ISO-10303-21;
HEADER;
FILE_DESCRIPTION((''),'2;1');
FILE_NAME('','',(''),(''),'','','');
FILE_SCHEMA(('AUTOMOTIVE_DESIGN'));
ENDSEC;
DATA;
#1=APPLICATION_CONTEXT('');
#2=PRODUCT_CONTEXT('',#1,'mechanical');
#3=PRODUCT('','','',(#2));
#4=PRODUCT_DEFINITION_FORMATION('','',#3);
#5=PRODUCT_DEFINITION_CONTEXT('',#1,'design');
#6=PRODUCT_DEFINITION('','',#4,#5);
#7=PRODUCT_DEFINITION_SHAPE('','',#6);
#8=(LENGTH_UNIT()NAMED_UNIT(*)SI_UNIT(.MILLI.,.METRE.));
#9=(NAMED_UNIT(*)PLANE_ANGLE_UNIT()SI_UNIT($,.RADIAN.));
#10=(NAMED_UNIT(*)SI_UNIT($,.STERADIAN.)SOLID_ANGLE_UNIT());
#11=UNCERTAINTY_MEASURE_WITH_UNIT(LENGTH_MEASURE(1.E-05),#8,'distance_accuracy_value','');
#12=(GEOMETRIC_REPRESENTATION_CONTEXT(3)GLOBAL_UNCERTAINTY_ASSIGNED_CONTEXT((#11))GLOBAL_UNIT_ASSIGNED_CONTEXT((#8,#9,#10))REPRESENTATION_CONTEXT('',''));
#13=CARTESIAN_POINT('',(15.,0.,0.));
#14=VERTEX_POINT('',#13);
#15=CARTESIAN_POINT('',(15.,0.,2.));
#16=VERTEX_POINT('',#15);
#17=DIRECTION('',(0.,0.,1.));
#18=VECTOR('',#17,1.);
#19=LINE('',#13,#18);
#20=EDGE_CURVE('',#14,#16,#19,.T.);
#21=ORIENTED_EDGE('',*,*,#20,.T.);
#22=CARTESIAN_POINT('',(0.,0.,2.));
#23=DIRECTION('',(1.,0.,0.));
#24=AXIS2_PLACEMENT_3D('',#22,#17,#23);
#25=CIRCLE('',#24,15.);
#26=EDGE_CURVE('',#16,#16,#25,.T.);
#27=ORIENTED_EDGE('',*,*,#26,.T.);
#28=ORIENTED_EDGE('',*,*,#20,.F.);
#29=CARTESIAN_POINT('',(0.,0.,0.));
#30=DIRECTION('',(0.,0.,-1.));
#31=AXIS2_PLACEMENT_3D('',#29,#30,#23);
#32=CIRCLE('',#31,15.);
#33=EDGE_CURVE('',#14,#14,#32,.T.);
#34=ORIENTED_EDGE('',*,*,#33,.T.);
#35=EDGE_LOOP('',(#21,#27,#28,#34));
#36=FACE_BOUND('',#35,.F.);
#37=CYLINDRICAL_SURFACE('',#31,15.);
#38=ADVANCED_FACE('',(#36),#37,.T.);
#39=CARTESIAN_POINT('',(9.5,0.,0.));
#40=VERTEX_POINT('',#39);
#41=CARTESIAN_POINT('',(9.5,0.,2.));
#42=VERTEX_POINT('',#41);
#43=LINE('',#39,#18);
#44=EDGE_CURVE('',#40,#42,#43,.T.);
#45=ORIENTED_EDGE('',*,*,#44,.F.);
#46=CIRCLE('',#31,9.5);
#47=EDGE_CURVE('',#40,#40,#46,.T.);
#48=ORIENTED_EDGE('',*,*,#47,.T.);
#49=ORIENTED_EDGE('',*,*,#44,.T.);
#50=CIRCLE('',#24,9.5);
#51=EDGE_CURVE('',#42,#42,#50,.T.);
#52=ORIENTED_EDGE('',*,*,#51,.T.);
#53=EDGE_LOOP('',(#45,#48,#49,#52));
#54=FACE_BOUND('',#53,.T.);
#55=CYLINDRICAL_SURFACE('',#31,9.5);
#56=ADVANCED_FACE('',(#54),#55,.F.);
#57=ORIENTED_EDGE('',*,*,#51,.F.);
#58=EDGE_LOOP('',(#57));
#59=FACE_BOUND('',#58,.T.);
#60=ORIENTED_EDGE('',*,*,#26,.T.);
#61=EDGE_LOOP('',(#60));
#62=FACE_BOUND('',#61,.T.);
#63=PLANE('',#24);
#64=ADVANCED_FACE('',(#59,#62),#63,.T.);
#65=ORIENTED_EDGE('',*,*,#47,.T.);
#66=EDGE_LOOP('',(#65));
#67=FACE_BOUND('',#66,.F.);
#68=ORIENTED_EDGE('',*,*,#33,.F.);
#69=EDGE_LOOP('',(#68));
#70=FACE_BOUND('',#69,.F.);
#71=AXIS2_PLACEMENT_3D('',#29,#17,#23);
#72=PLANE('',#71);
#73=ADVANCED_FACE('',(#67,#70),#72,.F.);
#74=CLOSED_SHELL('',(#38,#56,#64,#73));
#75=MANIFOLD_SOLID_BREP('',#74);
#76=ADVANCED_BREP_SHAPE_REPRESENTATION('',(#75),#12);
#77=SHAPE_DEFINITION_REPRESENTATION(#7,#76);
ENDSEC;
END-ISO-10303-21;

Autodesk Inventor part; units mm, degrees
ref_plane "YZ Plane" through (0, 0, 0) normal (1, 0, 0) x (0, 1, 0)
ref_plane "XZ Plane" through (0, 0, 0) normal (0, 1, 0) x (-1, 0, 0)
ref_plane "XY Plane" through (0, 0, 0) normal (0, 0, 1) x (1, 0, 0)
sketch "Skizze1" plane through (0, 0, 0) normal (0, 0, 1) x (1, 0, 0)
  line L0 (-21, 0) -> (21, 0) projected
  line L1 (0, -21) -> (0, 21) projected
  circle A0 centre (0, 0) radius 15
  circle A1 centre (0, 0) radius 9.5
  dimension "d0" = 19
  dimension "d1" = 30
extrude "Extrusion1" add sketch "Skizze1" along normal blind 2 contours A1 L1 A0 L0 | L0 A0 L1 A1 | A1 L0 A0 L1 | L1 A0 L0 A1
properties part number "Spulenhalter-Abschluss-Ph-L"
